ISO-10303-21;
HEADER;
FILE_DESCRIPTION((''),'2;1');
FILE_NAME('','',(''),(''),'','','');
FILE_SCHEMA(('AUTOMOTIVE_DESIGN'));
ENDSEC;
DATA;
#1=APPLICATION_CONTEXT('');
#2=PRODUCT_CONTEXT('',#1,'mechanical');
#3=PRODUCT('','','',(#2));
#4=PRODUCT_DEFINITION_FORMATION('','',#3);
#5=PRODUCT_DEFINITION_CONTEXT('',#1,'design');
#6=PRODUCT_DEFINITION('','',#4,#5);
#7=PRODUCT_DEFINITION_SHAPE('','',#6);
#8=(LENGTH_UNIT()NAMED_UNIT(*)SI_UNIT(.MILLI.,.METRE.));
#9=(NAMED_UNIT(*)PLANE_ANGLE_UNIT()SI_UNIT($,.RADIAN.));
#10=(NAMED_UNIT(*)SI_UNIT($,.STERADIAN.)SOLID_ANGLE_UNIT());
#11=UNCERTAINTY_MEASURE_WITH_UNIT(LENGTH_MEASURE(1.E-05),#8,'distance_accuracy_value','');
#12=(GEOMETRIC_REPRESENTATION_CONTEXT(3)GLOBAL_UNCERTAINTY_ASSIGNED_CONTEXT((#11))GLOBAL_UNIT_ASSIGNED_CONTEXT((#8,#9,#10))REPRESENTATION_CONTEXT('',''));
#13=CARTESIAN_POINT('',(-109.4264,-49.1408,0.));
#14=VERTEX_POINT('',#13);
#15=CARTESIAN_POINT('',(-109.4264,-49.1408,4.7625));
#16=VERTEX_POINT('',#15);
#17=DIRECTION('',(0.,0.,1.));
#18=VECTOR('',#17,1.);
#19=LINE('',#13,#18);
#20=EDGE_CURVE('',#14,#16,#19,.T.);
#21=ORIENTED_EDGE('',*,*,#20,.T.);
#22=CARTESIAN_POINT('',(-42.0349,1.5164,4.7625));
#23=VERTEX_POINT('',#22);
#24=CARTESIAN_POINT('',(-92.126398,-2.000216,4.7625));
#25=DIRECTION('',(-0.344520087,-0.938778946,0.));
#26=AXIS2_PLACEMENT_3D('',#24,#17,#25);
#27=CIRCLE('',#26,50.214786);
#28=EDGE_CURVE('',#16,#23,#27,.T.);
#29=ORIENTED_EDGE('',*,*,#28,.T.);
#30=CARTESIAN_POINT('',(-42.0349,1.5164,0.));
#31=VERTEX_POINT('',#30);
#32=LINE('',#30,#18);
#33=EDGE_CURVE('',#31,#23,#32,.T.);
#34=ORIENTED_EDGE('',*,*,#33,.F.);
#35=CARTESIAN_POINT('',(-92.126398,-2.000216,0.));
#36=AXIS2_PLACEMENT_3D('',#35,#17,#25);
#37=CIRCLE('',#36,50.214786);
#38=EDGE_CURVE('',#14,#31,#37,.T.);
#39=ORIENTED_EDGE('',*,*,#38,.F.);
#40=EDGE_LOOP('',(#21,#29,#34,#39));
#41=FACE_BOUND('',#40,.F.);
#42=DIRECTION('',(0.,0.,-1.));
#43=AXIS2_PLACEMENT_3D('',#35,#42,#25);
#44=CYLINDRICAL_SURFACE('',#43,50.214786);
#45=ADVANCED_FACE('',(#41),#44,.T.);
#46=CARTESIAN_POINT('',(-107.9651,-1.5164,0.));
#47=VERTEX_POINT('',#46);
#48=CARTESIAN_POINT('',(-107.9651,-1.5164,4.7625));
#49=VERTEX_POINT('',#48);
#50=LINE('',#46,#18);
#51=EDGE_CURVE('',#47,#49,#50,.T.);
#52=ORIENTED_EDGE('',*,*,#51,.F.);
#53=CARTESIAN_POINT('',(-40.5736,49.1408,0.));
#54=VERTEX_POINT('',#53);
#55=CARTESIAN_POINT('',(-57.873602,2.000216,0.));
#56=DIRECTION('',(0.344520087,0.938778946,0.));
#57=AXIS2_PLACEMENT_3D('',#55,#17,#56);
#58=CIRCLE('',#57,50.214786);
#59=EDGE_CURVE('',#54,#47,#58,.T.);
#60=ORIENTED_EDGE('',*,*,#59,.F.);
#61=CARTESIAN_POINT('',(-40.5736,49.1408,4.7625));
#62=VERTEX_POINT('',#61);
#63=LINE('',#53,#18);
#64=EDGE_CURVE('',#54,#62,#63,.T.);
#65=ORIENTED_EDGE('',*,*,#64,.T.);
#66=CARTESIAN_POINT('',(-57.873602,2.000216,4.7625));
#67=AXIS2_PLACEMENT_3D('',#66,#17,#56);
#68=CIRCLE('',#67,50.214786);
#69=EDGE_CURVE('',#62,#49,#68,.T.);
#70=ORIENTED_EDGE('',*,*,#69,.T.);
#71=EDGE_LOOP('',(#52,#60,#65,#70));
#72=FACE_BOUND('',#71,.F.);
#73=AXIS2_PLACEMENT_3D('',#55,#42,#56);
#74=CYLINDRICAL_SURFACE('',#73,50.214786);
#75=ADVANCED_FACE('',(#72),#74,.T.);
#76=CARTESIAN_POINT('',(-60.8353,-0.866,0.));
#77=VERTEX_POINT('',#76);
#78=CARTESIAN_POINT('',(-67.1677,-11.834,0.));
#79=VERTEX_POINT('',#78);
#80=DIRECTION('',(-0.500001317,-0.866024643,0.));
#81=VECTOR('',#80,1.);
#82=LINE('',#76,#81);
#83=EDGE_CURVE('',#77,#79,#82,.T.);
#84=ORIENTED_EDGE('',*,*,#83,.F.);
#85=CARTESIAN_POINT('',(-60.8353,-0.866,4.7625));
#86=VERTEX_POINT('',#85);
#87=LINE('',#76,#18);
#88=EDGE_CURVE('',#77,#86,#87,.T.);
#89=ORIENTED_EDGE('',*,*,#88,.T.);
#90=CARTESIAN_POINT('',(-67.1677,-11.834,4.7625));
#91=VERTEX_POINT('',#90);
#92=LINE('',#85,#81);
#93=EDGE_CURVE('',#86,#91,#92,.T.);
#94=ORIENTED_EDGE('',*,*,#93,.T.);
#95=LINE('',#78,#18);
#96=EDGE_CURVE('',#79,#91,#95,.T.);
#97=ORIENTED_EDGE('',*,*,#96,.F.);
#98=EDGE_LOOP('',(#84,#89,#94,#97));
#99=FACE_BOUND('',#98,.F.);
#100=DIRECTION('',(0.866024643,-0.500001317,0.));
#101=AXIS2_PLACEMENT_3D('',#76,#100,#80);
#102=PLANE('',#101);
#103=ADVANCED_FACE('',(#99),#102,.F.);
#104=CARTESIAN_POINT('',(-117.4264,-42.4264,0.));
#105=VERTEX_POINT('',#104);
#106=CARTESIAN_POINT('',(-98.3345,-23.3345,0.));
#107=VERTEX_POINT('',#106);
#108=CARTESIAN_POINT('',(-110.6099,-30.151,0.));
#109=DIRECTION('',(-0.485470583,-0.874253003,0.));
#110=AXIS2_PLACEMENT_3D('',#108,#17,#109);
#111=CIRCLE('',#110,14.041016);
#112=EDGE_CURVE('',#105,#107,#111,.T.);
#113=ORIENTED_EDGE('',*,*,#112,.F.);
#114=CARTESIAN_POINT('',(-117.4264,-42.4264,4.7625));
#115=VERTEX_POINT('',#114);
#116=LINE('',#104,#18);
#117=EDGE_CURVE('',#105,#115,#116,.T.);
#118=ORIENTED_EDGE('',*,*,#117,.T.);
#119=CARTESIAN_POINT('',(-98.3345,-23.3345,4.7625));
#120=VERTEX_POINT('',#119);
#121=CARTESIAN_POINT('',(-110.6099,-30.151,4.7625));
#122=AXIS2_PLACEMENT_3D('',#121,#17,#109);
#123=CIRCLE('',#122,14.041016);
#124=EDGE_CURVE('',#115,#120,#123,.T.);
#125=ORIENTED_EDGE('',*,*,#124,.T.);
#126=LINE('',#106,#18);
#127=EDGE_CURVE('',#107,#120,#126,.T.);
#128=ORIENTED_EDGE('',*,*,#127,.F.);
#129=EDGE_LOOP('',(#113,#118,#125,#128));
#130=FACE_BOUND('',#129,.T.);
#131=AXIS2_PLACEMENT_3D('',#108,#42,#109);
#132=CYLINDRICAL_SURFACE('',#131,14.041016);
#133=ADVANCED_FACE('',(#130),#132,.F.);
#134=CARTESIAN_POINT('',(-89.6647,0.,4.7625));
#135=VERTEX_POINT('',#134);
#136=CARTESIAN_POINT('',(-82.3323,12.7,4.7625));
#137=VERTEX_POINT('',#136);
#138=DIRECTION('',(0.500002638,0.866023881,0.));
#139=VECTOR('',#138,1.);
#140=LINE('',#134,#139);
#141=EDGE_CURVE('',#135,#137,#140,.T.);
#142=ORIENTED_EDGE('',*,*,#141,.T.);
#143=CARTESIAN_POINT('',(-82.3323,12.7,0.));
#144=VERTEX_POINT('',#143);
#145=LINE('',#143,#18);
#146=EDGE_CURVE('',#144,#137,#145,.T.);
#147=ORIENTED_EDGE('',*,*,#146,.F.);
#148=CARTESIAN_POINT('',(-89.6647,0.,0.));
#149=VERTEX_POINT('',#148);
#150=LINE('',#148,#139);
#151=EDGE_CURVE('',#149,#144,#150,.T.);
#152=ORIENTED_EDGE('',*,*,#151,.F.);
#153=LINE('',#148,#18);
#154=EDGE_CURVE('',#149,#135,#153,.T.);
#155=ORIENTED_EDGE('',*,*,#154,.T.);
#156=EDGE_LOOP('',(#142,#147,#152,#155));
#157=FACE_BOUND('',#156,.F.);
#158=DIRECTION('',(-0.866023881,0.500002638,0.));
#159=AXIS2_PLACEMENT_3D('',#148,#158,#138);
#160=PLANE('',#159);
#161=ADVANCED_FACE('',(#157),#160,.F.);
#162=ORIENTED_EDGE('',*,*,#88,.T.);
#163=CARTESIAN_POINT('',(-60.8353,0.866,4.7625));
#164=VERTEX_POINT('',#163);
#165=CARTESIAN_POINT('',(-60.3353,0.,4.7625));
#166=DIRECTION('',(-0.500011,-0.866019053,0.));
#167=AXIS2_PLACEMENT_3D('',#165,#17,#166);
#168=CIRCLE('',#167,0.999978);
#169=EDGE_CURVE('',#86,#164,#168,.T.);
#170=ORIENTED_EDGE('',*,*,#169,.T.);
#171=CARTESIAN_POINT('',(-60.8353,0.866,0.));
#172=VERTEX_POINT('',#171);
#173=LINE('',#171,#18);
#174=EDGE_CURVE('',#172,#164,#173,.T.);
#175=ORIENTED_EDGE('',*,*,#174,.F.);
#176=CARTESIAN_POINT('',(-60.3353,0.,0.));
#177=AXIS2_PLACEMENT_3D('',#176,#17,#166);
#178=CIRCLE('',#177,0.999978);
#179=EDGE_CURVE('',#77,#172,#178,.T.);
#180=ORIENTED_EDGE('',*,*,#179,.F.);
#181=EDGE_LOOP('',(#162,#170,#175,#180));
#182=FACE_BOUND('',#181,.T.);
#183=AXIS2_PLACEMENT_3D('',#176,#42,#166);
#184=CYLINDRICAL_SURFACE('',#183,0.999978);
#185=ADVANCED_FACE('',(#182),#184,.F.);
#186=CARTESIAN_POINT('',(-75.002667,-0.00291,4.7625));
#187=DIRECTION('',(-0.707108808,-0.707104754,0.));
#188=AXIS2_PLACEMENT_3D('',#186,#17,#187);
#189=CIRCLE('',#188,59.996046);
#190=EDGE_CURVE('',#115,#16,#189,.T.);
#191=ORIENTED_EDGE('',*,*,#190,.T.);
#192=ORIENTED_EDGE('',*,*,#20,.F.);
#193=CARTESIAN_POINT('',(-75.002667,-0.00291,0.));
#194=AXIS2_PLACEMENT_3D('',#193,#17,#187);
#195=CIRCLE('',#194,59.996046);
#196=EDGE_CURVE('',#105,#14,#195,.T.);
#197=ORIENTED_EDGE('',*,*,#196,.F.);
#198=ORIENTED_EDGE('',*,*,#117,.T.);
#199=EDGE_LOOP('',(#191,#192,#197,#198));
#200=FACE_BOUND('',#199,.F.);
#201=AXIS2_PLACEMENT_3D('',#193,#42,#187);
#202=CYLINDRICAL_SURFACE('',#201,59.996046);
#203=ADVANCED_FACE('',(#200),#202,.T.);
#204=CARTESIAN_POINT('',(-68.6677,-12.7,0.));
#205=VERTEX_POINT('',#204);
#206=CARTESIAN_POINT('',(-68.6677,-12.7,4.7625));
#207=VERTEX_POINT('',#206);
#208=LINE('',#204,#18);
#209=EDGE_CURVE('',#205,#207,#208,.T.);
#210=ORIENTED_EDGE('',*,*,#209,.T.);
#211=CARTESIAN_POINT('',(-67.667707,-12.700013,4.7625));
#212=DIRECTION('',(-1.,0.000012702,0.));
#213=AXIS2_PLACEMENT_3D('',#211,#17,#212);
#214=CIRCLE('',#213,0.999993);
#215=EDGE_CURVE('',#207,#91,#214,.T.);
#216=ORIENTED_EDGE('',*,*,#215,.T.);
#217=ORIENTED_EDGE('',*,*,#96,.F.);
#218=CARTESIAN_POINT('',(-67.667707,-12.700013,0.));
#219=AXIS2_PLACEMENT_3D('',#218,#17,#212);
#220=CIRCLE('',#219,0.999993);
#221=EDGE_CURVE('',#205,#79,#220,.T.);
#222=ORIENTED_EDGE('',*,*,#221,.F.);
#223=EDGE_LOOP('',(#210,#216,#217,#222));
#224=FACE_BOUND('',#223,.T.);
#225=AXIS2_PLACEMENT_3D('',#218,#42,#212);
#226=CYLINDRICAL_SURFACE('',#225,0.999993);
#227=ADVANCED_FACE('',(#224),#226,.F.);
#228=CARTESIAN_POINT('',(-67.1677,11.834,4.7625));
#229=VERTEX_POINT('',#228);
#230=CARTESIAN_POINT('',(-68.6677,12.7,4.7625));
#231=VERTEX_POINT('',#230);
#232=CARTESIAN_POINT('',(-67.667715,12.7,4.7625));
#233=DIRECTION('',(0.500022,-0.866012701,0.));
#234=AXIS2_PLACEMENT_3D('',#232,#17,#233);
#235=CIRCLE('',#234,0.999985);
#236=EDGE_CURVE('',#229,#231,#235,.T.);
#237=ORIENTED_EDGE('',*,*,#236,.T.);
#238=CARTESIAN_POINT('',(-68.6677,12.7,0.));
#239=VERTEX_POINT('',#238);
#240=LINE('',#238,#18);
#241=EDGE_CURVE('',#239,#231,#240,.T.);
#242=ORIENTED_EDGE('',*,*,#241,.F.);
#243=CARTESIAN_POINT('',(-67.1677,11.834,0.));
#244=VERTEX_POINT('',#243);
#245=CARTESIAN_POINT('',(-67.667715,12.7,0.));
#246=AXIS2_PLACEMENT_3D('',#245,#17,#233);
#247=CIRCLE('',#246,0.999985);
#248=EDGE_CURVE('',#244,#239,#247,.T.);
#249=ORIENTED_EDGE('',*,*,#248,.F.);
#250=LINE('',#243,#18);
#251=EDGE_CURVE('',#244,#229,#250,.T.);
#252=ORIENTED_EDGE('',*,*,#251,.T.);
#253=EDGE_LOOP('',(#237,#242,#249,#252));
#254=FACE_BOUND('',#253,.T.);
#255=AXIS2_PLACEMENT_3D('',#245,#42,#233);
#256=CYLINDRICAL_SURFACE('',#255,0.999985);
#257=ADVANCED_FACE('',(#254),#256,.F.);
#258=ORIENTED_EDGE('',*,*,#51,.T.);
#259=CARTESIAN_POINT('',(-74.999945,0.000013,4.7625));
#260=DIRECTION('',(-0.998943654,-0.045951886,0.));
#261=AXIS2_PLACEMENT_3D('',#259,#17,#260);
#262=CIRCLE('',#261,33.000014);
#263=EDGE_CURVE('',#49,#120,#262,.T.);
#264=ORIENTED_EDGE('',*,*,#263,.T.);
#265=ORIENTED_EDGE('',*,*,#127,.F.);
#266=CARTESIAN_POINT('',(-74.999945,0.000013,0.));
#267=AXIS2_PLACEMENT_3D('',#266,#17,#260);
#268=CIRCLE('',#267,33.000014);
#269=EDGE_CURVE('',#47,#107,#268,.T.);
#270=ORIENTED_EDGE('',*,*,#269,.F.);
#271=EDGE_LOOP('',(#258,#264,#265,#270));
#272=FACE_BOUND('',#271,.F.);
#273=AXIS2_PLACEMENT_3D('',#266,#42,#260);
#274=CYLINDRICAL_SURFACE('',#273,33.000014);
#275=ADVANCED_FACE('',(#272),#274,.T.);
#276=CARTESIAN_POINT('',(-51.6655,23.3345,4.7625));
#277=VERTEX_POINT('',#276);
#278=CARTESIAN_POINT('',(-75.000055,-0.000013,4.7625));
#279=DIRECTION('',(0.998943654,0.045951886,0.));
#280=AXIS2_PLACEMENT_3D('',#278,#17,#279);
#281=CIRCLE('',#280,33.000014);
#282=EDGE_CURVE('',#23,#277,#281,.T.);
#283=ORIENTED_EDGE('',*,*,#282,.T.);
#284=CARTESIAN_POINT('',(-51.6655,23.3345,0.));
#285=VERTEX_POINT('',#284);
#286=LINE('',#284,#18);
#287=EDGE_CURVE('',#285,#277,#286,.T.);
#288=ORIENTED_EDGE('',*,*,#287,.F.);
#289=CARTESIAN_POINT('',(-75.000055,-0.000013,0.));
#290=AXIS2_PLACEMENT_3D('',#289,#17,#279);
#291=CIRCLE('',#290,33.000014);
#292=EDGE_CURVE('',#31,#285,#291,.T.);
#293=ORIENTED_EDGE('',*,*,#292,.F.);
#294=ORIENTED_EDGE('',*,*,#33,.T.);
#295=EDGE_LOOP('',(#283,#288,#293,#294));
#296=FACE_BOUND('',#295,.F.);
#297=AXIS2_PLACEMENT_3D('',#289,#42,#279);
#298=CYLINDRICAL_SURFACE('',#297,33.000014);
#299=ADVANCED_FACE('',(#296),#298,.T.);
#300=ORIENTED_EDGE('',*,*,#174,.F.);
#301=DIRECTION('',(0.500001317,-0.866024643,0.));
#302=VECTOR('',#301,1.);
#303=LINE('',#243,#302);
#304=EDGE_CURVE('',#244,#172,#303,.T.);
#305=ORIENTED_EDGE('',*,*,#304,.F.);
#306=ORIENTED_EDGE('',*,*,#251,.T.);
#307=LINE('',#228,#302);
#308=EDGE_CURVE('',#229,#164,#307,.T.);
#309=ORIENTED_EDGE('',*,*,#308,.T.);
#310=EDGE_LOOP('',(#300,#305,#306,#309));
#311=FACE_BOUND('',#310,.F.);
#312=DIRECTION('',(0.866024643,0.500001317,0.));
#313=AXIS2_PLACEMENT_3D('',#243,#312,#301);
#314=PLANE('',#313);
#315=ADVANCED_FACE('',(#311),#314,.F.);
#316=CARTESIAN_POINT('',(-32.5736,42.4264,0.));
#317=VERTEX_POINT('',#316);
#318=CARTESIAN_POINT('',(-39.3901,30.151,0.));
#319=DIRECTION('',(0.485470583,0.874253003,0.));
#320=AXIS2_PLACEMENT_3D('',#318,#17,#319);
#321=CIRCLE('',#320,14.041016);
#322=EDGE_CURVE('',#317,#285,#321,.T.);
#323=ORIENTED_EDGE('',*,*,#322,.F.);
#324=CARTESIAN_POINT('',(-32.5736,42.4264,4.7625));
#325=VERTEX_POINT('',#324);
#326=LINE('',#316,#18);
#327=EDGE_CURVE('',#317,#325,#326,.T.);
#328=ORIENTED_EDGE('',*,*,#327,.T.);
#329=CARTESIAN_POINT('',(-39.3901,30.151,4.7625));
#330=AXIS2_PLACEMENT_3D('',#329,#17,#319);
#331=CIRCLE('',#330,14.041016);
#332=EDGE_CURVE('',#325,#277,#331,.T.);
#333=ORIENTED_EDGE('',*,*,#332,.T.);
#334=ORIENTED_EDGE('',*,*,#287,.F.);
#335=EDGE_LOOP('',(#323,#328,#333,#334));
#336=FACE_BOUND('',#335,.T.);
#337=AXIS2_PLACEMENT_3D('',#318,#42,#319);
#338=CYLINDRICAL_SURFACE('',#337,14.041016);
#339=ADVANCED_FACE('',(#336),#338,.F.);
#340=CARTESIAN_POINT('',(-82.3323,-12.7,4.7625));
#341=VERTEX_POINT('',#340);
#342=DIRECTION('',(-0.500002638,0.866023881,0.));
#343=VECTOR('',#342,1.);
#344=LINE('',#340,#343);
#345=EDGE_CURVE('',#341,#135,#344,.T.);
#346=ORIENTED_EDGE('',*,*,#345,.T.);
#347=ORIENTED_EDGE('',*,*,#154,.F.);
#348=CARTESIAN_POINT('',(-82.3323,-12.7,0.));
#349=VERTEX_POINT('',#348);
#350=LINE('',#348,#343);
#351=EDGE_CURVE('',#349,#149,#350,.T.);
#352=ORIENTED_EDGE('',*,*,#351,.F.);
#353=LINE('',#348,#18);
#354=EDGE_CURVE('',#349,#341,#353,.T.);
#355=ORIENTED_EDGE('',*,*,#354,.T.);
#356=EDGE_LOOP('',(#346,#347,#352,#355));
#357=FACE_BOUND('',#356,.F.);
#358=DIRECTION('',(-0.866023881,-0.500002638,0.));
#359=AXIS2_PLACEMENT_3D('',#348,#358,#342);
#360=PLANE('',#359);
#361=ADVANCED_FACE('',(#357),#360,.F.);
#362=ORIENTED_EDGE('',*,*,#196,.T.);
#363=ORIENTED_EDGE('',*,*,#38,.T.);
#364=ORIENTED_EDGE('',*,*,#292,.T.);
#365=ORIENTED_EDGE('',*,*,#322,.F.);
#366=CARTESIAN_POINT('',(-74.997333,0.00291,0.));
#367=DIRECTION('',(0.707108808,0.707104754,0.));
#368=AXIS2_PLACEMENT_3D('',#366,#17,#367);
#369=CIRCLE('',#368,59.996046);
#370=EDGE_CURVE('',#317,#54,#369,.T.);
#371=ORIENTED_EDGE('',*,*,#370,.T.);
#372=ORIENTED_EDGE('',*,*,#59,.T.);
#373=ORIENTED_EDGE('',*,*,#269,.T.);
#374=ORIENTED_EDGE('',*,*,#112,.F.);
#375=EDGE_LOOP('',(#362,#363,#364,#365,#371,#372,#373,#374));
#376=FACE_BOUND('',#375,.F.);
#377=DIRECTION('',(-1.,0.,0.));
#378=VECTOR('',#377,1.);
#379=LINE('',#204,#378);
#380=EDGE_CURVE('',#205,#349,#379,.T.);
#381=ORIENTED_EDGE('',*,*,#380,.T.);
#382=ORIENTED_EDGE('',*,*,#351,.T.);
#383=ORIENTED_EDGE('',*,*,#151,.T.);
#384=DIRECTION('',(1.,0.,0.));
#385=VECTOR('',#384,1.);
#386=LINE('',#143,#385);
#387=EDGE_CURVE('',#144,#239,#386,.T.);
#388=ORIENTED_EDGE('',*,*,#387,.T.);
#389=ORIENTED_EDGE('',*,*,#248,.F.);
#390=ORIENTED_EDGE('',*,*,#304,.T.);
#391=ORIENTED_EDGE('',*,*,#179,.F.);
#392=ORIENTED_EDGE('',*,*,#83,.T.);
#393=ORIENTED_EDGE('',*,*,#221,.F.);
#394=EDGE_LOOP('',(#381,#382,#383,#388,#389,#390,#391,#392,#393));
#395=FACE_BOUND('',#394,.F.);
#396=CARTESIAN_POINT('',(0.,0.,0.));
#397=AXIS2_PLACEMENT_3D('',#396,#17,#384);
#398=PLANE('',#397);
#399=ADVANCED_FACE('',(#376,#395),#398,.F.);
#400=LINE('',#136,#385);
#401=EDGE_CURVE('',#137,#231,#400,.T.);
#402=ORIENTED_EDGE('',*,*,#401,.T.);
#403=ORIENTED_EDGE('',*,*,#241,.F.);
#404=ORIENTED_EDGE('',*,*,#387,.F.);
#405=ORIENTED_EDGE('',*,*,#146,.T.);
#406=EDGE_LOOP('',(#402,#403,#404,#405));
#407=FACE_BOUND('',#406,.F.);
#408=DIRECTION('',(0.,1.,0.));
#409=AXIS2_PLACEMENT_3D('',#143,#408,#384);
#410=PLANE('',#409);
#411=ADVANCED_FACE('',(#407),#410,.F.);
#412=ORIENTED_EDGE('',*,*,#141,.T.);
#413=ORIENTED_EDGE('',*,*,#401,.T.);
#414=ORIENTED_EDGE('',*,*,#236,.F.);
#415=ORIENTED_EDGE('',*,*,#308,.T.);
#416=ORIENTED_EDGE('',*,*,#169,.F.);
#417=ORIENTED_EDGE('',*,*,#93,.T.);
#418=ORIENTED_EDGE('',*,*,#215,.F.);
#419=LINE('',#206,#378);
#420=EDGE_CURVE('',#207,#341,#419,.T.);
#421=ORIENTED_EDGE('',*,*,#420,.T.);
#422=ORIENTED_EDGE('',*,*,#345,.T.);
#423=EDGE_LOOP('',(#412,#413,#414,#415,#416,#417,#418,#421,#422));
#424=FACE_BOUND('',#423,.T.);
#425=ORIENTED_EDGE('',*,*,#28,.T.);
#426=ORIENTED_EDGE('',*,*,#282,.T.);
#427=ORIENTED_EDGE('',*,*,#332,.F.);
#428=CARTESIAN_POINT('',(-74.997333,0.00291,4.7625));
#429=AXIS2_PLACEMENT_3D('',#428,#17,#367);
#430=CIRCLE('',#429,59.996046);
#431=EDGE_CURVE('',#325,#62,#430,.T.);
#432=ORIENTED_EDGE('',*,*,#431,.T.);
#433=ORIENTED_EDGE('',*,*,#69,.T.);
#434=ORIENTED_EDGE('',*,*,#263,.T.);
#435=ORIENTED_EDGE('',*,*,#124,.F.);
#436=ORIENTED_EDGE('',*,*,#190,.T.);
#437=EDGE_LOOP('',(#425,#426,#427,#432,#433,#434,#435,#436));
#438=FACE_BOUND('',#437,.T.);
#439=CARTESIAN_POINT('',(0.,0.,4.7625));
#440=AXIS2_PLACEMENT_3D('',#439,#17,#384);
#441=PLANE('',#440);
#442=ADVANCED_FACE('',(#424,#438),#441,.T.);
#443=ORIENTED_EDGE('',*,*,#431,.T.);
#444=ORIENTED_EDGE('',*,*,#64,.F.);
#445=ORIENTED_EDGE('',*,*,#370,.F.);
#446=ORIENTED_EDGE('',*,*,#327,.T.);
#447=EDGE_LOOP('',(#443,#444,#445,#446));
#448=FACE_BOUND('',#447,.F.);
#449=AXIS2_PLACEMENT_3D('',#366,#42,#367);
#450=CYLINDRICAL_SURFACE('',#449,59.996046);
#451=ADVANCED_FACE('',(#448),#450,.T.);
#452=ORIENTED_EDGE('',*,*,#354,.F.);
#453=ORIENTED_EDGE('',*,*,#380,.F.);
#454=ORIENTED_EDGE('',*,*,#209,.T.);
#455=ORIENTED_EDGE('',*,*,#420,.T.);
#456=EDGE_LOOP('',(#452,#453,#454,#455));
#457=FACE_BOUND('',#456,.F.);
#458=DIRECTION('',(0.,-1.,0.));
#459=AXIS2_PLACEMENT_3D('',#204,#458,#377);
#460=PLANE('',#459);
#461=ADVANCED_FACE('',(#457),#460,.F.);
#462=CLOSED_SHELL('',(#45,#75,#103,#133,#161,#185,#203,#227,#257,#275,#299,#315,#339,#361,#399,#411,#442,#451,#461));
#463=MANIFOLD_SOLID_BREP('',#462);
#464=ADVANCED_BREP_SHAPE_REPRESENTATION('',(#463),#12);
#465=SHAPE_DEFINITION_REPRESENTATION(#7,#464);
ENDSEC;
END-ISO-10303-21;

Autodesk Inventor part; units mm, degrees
ref_plane "YZ Plane" through (0, 0, 0) normal (1, 0, 0) x (0, 1, 0)
ref_plane "XZ Plane" through (0, 0, 0) normal (0, 1, 0) x (-1, 0, 0)
ref_plane "XY Plane" through (0, 0, 0) normal (0, 0, 1) x (1, 0, 0)
sketch "Sketch1" plane through (0, 0, 0) normal (0, 0, 1) x (1, 0, 0)
  arc A0 (-107.9651, -1.5164) -> (-98.3345, -23.3345) centre (-75, 0) ccw
  arc A1 (-40.5736, 49.1408) -> (-107.9651, -1.5164) centre (-57.8736, 2.0002) ccw
  arc A2 (-32.5736, 42.4264) -> (-40.5736, 49.1408) centre (-75, 0) ccw
  arc A3 (-32.5736, 42.4264) -> (-51.6655, 23.3345) centre (-39.3901, 30.151) ccw
  arc A4 (-42.0349, 1.5164) -> (-51.6655, 23.3345) centre (-75, 0) ccw
  arc A5 (-109.4264, -49.1408) -> (-42.0349, 1.5164) centre (-92.1264, -2.0002) ccw
  arc A6 (-117.4264, -42.4264) -> (-109.4264, -49.1408) centre (-75, 0) ccw
  arc A7 (-117.4264, -42.4264) -> (-98.3345, -23.3345) centre (-110.6099, -30.151) ccw
  arc A8 (-32.5736, 42.4264) -> (-40.5736, 49.1408) centre (-75, 0) ccw
  arc A9 (-40.5736, 49.1408) -> (-107.9651, -1.5164) centre (-57.8736, 2.0002) ccw
  arc A10 (-107.9651, -1.5164) -> (-98.3345, -23.3345) centre (-75, 0) ccw
  arc A11 (-117.4264, -42.4264) -> (-98.3345, -23.3345) centre (-110.6099, -30.151) ccw
  arc A12 (-117.4264, -42.4264) -> (-109.4264, -49.1408) centre (-75, 0) ccw
  arc A13 (-109.4264, -49.1408) -> (-42.0349, 1.5164) centre (-92.1264, -2.0002) ccw
  arc A14 (-42.0349, 1.5164) -> (-51.6655, 23.3345) centre (-75, 0) ccw
  arc A15 (-32.5736, 42.4264) -> (-51.6655, 23.3345) centre (-39.3901, 30.151) ccw
  line L0 (-82.3323, -12.7) -> (-89.6647, 0)
  line L1 (-89.6647, 0) -> (-82.3323, 12.7)
  line L2 (-82.3323, 12.7) -> (-68.6677, 12.7)
  arc A16 (-67.1677, 11.834) -> (-68.6677, 12.7) centre (-67.6677, 12.7) ccw
  line L3 (-67.1677, 11.834) -> (-60.8353, 0.866)
  arc A17 (-60.8353, -0.866) -> (-60.8353, 0.866) centre (-60.3353, 0) ccw
  line L4 (-60.8353, -0.866) -> (-67.1677, -11.834)
  arc A18 (-68.6677, -12.7) -> (-67.1677, -11.834) centre (-67.6677, -12.7) ccw
  line L5 (-68.6677, -12.7) -> (-82.3323, -12.7)
  point P0 (0, 0)
extrude "Extrusion1" add sketch "Sketch1" along normal blind 4.7625
properties part number "3-16inch_Knife3_Piece1"
